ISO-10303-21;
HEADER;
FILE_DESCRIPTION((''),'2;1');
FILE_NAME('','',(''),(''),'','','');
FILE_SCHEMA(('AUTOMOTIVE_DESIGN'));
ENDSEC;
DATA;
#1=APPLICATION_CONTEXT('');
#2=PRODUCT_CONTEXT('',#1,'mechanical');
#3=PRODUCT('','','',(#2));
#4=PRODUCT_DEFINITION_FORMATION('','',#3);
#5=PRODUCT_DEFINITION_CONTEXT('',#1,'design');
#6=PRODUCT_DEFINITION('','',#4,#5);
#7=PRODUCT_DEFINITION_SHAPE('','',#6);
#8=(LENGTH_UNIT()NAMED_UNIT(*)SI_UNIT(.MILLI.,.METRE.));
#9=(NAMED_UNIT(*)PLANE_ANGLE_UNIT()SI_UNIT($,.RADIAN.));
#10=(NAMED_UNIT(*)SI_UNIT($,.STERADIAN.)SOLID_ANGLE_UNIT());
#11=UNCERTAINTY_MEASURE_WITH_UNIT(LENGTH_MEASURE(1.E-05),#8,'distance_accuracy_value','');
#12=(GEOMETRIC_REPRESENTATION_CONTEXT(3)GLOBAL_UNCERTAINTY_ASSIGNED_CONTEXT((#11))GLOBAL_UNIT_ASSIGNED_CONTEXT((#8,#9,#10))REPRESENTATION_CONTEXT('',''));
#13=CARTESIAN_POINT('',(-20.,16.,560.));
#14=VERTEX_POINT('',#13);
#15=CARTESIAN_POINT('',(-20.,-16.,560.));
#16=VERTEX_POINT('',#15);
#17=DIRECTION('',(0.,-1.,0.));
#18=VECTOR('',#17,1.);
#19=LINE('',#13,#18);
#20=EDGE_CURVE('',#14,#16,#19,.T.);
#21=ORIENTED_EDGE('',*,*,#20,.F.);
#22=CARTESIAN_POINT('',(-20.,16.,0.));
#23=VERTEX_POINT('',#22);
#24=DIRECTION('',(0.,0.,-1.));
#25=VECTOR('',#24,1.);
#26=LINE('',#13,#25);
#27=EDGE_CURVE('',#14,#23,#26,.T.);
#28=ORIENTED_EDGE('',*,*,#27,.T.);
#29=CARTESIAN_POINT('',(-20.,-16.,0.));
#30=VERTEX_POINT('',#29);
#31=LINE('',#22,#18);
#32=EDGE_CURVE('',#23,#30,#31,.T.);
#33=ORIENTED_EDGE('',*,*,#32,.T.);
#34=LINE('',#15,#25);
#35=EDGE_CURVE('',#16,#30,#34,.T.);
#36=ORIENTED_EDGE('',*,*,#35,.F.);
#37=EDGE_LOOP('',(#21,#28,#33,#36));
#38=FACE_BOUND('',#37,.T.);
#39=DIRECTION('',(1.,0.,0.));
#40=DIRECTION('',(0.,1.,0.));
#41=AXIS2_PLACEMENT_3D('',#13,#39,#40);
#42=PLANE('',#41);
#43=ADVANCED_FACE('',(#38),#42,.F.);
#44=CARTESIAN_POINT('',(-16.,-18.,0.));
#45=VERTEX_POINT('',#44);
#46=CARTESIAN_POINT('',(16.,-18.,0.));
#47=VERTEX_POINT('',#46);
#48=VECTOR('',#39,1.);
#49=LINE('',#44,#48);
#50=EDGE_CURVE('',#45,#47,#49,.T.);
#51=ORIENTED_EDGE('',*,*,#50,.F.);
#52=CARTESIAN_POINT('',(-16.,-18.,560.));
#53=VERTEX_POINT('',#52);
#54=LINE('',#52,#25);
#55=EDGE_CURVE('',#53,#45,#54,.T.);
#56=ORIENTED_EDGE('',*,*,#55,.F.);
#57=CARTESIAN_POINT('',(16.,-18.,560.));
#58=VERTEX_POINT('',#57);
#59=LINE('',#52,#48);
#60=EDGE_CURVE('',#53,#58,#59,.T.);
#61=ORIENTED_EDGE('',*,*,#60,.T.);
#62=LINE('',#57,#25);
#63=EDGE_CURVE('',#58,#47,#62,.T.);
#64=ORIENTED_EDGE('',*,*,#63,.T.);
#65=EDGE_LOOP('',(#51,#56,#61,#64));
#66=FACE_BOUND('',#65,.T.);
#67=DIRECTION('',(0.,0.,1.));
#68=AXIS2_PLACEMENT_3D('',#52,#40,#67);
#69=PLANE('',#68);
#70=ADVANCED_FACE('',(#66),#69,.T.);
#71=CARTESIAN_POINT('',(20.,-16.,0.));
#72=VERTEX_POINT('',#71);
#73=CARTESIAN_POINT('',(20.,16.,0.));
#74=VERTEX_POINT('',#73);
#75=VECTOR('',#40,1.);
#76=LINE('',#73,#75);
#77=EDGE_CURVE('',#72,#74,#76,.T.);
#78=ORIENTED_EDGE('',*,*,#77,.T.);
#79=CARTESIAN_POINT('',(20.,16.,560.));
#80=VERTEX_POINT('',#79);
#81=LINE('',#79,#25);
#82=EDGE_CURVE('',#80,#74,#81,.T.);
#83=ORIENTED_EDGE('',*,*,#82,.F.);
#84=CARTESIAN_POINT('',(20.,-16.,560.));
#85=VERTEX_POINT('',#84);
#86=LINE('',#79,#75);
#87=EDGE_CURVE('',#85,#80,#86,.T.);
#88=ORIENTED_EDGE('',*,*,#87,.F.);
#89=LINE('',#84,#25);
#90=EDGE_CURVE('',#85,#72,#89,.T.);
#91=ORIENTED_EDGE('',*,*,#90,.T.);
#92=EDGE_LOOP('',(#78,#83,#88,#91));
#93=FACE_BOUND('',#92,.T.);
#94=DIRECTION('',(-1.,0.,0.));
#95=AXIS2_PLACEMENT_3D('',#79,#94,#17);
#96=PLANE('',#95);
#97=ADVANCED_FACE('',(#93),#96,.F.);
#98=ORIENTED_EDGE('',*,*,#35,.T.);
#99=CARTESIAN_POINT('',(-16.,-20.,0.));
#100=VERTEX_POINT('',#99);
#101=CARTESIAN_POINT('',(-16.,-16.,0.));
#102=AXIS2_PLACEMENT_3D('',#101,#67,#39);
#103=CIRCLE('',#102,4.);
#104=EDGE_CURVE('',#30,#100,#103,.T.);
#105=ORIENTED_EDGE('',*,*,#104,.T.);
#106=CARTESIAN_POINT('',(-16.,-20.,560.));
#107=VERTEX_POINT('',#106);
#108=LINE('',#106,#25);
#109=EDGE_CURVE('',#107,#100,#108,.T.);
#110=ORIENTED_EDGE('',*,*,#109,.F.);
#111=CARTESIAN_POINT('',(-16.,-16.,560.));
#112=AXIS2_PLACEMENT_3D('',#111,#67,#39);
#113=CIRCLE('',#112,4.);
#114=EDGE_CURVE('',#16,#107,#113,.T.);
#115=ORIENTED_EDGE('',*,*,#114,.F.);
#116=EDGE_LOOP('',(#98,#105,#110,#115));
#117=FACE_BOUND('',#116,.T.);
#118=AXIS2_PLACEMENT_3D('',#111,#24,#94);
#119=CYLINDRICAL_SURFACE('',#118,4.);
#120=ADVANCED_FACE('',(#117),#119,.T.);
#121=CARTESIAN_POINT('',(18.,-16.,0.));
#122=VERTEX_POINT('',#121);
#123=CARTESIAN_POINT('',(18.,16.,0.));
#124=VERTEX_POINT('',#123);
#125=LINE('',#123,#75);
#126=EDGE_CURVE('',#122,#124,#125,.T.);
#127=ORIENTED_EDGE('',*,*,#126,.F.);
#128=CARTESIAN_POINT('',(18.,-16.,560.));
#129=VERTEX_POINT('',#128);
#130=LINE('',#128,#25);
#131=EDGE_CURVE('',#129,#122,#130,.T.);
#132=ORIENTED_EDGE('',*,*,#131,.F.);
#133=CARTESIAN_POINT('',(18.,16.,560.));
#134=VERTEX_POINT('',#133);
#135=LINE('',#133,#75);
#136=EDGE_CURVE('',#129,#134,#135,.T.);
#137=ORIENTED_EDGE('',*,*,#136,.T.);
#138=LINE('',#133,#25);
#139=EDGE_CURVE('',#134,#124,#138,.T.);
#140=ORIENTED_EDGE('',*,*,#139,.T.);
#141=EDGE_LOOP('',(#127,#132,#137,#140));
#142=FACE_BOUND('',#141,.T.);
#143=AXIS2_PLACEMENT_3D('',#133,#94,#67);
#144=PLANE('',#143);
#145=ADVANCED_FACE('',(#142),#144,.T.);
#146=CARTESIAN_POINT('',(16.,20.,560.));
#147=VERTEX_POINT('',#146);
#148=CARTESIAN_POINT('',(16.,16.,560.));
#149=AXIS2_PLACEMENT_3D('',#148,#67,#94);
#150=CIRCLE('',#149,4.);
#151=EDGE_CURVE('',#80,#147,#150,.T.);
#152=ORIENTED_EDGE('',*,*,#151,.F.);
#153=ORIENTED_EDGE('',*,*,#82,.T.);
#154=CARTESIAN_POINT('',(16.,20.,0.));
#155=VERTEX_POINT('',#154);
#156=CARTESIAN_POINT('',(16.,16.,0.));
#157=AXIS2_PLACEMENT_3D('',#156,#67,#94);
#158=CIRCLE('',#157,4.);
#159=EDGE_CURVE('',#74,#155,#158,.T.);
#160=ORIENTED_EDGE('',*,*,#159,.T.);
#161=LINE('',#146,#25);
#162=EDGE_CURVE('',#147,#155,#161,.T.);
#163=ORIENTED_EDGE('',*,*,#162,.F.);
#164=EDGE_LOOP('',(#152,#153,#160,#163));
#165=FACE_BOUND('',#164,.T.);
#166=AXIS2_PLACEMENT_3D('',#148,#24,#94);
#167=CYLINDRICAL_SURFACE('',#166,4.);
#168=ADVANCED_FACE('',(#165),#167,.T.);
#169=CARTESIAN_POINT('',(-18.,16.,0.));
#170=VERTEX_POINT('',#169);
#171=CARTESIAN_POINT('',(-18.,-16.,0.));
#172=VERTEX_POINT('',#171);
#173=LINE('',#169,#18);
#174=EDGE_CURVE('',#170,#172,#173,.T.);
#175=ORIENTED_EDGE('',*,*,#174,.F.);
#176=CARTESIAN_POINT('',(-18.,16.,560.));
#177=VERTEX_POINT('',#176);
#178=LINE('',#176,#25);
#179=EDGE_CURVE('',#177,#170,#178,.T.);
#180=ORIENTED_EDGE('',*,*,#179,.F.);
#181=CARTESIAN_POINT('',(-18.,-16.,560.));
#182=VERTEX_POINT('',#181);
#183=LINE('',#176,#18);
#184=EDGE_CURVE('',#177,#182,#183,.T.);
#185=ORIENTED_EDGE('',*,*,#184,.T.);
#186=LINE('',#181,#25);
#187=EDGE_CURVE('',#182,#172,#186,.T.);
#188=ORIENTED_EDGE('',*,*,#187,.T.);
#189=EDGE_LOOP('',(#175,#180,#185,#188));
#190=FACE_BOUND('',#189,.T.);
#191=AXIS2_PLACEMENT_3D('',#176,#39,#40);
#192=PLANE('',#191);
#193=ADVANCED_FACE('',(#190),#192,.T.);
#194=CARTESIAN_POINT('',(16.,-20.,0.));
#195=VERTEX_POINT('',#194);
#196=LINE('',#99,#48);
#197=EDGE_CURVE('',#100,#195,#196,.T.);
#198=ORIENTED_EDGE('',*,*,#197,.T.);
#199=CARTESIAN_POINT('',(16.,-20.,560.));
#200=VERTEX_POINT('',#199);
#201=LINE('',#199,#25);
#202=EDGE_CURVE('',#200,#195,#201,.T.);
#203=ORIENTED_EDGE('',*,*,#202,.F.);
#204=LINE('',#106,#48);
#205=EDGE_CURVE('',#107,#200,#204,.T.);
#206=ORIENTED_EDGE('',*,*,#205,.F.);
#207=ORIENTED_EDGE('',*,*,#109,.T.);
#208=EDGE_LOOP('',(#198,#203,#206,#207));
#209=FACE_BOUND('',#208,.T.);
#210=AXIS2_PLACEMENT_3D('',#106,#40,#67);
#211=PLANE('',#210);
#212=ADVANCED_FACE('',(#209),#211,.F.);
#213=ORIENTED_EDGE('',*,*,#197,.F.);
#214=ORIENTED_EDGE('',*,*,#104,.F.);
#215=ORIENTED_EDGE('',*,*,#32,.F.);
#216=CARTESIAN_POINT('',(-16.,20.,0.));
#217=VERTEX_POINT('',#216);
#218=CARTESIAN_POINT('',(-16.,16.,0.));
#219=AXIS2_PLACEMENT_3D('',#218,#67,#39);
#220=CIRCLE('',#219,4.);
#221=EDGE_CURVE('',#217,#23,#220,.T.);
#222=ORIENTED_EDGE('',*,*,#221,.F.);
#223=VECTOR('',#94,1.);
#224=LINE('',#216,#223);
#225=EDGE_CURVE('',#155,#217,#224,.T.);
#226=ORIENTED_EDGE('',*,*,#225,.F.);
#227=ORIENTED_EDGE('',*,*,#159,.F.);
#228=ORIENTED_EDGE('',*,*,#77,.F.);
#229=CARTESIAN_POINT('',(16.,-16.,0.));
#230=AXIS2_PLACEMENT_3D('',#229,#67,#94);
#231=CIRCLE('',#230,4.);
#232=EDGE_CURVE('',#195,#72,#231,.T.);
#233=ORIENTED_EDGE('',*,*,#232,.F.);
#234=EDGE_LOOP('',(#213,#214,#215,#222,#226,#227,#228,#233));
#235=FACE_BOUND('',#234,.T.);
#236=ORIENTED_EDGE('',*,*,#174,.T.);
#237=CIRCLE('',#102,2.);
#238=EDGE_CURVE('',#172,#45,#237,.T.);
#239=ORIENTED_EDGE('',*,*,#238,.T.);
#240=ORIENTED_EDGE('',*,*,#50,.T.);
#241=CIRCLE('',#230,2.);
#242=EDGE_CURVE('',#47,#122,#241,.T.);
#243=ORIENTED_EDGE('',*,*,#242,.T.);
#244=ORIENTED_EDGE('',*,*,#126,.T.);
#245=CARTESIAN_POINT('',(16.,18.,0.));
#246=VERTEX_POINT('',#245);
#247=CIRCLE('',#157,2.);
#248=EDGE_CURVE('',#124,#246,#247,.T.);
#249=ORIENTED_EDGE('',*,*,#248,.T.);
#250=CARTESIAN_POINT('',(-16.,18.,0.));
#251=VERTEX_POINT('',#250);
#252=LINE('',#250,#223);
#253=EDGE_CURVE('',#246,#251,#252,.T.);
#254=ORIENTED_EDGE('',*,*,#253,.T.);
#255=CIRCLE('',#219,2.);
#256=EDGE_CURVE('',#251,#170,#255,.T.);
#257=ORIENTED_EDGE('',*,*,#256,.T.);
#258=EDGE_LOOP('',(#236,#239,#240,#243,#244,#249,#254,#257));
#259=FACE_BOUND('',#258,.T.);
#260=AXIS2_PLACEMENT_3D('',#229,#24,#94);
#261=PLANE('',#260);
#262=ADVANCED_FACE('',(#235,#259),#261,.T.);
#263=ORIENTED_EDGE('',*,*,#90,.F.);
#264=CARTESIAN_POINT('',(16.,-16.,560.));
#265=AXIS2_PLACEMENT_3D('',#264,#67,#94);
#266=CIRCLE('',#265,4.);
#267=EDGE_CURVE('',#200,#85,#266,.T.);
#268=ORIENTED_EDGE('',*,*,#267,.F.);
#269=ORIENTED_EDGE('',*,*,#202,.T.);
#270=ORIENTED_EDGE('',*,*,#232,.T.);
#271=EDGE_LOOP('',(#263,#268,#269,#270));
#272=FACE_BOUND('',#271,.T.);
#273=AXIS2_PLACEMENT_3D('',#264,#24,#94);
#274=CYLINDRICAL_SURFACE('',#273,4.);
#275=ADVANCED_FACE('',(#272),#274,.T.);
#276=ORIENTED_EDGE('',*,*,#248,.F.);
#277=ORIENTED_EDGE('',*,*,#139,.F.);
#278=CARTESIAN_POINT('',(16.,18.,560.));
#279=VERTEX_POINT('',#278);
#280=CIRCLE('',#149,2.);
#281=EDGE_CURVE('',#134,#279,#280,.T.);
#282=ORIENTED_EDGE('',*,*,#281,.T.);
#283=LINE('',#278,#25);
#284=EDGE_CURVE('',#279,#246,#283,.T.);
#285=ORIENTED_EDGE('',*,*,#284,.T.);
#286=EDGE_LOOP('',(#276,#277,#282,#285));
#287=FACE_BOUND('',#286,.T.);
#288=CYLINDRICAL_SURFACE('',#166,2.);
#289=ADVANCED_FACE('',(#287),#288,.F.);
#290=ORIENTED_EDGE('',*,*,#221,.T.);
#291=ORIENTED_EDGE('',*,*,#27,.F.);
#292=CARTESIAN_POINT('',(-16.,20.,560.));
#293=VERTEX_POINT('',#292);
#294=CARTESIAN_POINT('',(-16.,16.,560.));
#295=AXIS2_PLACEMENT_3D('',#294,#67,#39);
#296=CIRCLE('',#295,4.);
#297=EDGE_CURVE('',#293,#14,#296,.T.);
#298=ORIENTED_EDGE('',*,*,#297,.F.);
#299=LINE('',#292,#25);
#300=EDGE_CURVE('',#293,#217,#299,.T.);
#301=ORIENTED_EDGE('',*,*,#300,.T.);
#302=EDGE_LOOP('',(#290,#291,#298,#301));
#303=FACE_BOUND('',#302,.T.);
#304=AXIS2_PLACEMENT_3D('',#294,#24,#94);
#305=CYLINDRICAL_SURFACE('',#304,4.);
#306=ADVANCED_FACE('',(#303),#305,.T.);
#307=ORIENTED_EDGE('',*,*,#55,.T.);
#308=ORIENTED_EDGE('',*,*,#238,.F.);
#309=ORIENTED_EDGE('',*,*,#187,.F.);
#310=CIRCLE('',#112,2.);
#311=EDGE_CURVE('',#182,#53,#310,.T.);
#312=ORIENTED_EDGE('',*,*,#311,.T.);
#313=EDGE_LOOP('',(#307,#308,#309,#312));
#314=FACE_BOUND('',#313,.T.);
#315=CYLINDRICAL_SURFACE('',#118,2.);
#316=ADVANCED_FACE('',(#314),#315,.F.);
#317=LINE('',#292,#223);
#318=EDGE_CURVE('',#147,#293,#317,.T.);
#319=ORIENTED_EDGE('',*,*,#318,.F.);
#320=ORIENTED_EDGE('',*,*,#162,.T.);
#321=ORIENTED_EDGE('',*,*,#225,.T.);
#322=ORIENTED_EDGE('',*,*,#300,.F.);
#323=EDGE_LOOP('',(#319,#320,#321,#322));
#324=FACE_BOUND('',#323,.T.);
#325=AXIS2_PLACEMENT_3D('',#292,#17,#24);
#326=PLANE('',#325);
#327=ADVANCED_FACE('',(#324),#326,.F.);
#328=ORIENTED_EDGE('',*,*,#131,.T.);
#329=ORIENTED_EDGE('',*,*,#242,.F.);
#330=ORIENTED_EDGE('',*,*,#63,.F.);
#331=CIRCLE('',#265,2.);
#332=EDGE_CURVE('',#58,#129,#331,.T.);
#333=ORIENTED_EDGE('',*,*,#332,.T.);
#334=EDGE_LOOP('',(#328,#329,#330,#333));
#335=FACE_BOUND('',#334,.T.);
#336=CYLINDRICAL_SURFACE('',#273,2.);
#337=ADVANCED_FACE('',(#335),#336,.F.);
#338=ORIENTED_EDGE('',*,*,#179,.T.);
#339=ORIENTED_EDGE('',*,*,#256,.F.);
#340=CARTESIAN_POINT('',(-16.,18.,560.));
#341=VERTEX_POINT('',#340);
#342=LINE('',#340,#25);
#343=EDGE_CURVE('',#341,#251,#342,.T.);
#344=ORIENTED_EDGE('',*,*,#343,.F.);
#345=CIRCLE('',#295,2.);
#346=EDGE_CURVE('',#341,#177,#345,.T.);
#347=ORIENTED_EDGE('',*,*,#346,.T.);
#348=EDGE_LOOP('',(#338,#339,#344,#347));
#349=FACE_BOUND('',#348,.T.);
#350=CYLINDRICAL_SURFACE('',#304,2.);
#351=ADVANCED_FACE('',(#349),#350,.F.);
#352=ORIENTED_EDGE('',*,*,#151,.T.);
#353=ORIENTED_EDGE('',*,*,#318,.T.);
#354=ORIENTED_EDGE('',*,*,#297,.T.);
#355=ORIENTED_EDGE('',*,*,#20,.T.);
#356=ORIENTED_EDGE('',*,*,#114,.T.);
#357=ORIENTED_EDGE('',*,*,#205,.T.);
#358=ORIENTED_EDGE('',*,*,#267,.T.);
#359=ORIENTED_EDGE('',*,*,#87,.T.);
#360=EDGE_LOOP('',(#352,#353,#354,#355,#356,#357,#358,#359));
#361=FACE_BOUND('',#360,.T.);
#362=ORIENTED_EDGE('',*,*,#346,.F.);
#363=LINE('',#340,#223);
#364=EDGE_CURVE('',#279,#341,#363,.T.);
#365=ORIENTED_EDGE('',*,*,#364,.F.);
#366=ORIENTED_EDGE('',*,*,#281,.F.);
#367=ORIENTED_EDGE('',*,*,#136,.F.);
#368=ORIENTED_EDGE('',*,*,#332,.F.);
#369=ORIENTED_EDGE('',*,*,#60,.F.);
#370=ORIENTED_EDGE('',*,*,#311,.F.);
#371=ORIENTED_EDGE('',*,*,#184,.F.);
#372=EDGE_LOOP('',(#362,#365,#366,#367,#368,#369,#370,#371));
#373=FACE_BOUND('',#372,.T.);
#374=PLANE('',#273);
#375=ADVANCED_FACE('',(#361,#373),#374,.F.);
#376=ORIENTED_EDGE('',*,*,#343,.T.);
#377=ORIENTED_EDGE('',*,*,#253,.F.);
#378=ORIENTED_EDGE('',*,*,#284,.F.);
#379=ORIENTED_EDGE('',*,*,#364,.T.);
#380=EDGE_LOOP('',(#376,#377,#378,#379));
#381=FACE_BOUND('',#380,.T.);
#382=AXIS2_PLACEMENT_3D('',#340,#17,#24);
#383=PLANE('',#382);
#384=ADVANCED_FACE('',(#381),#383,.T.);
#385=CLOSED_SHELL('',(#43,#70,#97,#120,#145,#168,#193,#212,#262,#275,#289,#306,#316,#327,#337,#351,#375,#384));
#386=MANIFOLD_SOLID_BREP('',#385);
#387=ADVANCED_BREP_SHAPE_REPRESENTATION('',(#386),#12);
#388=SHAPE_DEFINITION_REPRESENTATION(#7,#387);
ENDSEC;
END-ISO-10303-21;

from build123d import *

# Parameters (mm, degrees)
Y_KSEKLIK_EKSTR_ZYON1_DEPTH = 560


with BuildPart() as part:
    # Çizim1 → Yükseklik-Ekstrüzyon1 (new body)
    with BuildSketch(Plane.XY):
        with BuildLine():
            Line((-16, 20), (16, 20))
            ThreePointArc((16, 20), (18.828427125, 18.828427125), (20, 16))
            Line((20, 16), (20, -16))
            ThreePointArc((20, -16), (18.828427125, -18.828427125), (16, -20))
            Line((16, -20), (-16, -20))
            ThreePointArc((-16, -20), (-18.828427125, -18.828427125), (-20, -16))
            Line((-20, -16), (-20, 16))
            ThreePointArc((-20, 16), (-18.828427125, 18.828427125), (-16, 20))
        make_face()
        with BuildLine():
            Line((-18, 16), (-18, -16))
            ThreePointArc((-18, -16), (-17.414213562, -17.414213562), (-16, -18))
            Line((-16, -18), (16, -18))
            ThreePointArc((16, -18), (17.414213562, -17.414213562), (18, -16))
            Line((18, -16), (18, 16))
            ThreePointArc((18, 16), (17.414213562, 17.414213562), (16, 18))
            Line((16, 18), (-16, 18))
            ThreePointArc((-16, 18), (-17.414213562, 17.414213562), (-18, 16))
        make_face(mode=Mode.SUBTRACT)
    extrude(amount=Y_KSEKLIK_EKSTR_ZYON1_DEPTH)


solid = part.part
